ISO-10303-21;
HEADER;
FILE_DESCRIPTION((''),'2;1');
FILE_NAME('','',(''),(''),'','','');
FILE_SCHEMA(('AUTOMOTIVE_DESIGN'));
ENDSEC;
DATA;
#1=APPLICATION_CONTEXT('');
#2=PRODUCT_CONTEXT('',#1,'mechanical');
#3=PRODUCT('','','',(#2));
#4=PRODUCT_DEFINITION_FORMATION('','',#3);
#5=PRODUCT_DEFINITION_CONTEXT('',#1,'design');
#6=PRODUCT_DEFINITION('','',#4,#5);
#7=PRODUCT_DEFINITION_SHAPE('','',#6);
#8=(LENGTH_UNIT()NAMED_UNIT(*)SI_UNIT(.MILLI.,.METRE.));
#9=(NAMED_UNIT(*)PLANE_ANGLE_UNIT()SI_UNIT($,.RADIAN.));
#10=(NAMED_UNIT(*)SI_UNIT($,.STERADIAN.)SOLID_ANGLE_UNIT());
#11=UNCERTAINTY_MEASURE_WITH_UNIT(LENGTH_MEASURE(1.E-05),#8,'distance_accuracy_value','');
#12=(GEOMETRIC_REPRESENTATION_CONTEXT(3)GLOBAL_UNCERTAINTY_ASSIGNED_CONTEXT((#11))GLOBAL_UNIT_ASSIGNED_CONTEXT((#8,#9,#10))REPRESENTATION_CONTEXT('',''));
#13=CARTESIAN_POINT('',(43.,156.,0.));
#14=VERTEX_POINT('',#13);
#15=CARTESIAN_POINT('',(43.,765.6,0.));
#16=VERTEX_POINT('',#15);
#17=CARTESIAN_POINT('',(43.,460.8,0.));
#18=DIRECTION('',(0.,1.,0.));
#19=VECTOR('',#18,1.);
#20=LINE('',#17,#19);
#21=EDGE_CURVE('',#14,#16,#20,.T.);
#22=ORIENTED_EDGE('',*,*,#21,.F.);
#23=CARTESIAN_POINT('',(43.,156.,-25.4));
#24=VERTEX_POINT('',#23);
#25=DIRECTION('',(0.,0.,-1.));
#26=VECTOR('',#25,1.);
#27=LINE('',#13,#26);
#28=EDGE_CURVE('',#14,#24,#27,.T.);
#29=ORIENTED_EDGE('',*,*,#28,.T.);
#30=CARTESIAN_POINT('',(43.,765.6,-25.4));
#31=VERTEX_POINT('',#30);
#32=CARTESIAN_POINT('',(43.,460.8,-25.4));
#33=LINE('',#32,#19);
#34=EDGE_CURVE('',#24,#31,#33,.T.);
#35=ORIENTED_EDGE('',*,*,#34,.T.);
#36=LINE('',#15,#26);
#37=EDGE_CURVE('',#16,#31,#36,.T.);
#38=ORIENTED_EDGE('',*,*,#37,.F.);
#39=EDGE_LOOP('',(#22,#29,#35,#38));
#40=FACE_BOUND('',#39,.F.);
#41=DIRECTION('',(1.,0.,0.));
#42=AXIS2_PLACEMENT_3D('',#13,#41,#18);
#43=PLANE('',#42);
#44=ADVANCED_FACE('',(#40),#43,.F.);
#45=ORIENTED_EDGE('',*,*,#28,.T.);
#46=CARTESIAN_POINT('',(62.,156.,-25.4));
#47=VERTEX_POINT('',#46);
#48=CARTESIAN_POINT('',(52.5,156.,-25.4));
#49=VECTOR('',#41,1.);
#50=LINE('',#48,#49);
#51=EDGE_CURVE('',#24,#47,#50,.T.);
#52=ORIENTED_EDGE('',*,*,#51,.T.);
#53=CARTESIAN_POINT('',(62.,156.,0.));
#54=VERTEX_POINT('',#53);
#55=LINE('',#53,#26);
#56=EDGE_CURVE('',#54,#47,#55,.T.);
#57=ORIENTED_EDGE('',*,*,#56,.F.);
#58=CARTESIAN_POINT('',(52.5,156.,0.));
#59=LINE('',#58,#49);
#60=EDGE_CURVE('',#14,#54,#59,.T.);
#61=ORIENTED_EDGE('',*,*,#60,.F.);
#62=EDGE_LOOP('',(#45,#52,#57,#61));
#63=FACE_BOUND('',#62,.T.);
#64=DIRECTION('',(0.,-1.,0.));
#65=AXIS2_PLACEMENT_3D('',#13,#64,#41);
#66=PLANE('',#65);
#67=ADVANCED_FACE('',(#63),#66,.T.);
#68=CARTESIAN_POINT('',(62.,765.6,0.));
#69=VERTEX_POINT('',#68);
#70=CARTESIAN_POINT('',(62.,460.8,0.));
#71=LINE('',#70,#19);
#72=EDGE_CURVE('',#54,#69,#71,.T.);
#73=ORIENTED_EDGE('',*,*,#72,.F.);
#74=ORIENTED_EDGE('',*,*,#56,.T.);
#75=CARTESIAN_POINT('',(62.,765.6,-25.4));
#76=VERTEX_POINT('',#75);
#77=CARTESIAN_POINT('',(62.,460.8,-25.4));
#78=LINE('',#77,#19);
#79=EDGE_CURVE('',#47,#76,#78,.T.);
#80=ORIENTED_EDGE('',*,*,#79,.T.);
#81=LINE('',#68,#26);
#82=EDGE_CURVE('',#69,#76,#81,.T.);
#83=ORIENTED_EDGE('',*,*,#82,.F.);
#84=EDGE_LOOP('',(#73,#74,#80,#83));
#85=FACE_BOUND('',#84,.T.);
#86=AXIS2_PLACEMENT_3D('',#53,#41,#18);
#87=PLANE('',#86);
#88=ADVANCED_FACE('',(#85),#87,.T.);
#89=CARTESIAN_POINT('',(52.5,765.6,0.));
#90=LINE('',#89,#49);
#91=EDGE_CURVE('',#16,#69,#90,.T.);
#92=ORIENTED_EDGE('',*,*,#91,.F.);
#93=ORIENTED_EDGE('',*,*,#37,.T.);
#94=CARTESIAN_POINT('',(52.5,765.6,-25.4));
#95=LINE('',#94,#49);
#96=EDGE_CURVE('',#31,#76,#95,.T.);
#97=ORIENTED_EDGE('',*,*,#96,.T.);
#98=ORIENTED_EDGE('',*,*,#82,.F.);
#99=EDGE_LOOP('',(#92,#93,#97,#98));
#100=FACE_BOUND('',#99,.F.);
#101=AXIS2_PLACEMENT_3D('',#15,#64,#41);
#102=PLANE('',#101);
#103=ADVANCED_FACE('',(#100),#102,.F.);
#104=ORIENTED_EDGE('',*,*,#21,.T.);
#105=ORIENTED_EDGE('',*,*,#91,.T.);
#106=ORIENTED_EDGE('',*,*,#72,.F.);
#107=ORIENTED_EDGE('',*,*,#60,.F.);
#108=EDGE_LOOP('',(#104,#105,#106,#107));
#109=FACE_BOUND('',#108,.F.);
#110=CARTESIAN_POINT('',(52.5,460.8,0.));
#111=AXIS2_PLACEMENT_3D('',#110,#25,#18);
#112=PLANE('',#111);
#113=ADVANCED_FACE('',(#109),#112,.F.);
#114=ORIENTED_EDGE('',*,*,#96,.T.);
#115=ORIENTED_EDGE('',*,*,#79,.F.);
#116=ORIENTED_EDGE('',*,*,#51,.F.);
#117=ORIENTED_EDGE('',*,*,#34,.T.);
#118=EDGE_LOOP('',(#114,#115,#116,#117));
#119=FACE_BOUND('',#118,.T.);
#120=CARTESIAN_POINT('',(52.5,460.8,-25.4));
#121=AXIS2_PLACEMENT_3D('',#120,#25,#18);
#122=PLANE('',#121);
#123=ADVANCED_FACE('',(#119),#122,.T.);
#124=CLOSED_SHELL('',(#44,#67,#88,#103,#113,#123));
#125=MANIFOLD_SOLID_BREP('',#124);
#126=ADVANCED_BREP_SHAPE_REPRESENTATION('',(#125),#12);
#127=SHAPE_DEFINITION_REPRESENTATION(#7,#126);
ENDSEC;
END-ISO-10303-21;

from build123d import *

# Parameters (mm, degrees)
BOX_W     = 609.6
BOX_H     = 19
BOX_DEPTH = 25.4


with BuildPart() as part:
    # Box → Box (new body)
    with BuildSketch(Plane(origin=(43, 156, 0), x_dir=(0, 1, 0), z_dir=(0, 0, -1))):
        with Locations((304.8, 9.5)):
            Rectangle(BOX_W, BOX_H)
    extrude(amount=BOX_DEPTH)


solid = part.part
